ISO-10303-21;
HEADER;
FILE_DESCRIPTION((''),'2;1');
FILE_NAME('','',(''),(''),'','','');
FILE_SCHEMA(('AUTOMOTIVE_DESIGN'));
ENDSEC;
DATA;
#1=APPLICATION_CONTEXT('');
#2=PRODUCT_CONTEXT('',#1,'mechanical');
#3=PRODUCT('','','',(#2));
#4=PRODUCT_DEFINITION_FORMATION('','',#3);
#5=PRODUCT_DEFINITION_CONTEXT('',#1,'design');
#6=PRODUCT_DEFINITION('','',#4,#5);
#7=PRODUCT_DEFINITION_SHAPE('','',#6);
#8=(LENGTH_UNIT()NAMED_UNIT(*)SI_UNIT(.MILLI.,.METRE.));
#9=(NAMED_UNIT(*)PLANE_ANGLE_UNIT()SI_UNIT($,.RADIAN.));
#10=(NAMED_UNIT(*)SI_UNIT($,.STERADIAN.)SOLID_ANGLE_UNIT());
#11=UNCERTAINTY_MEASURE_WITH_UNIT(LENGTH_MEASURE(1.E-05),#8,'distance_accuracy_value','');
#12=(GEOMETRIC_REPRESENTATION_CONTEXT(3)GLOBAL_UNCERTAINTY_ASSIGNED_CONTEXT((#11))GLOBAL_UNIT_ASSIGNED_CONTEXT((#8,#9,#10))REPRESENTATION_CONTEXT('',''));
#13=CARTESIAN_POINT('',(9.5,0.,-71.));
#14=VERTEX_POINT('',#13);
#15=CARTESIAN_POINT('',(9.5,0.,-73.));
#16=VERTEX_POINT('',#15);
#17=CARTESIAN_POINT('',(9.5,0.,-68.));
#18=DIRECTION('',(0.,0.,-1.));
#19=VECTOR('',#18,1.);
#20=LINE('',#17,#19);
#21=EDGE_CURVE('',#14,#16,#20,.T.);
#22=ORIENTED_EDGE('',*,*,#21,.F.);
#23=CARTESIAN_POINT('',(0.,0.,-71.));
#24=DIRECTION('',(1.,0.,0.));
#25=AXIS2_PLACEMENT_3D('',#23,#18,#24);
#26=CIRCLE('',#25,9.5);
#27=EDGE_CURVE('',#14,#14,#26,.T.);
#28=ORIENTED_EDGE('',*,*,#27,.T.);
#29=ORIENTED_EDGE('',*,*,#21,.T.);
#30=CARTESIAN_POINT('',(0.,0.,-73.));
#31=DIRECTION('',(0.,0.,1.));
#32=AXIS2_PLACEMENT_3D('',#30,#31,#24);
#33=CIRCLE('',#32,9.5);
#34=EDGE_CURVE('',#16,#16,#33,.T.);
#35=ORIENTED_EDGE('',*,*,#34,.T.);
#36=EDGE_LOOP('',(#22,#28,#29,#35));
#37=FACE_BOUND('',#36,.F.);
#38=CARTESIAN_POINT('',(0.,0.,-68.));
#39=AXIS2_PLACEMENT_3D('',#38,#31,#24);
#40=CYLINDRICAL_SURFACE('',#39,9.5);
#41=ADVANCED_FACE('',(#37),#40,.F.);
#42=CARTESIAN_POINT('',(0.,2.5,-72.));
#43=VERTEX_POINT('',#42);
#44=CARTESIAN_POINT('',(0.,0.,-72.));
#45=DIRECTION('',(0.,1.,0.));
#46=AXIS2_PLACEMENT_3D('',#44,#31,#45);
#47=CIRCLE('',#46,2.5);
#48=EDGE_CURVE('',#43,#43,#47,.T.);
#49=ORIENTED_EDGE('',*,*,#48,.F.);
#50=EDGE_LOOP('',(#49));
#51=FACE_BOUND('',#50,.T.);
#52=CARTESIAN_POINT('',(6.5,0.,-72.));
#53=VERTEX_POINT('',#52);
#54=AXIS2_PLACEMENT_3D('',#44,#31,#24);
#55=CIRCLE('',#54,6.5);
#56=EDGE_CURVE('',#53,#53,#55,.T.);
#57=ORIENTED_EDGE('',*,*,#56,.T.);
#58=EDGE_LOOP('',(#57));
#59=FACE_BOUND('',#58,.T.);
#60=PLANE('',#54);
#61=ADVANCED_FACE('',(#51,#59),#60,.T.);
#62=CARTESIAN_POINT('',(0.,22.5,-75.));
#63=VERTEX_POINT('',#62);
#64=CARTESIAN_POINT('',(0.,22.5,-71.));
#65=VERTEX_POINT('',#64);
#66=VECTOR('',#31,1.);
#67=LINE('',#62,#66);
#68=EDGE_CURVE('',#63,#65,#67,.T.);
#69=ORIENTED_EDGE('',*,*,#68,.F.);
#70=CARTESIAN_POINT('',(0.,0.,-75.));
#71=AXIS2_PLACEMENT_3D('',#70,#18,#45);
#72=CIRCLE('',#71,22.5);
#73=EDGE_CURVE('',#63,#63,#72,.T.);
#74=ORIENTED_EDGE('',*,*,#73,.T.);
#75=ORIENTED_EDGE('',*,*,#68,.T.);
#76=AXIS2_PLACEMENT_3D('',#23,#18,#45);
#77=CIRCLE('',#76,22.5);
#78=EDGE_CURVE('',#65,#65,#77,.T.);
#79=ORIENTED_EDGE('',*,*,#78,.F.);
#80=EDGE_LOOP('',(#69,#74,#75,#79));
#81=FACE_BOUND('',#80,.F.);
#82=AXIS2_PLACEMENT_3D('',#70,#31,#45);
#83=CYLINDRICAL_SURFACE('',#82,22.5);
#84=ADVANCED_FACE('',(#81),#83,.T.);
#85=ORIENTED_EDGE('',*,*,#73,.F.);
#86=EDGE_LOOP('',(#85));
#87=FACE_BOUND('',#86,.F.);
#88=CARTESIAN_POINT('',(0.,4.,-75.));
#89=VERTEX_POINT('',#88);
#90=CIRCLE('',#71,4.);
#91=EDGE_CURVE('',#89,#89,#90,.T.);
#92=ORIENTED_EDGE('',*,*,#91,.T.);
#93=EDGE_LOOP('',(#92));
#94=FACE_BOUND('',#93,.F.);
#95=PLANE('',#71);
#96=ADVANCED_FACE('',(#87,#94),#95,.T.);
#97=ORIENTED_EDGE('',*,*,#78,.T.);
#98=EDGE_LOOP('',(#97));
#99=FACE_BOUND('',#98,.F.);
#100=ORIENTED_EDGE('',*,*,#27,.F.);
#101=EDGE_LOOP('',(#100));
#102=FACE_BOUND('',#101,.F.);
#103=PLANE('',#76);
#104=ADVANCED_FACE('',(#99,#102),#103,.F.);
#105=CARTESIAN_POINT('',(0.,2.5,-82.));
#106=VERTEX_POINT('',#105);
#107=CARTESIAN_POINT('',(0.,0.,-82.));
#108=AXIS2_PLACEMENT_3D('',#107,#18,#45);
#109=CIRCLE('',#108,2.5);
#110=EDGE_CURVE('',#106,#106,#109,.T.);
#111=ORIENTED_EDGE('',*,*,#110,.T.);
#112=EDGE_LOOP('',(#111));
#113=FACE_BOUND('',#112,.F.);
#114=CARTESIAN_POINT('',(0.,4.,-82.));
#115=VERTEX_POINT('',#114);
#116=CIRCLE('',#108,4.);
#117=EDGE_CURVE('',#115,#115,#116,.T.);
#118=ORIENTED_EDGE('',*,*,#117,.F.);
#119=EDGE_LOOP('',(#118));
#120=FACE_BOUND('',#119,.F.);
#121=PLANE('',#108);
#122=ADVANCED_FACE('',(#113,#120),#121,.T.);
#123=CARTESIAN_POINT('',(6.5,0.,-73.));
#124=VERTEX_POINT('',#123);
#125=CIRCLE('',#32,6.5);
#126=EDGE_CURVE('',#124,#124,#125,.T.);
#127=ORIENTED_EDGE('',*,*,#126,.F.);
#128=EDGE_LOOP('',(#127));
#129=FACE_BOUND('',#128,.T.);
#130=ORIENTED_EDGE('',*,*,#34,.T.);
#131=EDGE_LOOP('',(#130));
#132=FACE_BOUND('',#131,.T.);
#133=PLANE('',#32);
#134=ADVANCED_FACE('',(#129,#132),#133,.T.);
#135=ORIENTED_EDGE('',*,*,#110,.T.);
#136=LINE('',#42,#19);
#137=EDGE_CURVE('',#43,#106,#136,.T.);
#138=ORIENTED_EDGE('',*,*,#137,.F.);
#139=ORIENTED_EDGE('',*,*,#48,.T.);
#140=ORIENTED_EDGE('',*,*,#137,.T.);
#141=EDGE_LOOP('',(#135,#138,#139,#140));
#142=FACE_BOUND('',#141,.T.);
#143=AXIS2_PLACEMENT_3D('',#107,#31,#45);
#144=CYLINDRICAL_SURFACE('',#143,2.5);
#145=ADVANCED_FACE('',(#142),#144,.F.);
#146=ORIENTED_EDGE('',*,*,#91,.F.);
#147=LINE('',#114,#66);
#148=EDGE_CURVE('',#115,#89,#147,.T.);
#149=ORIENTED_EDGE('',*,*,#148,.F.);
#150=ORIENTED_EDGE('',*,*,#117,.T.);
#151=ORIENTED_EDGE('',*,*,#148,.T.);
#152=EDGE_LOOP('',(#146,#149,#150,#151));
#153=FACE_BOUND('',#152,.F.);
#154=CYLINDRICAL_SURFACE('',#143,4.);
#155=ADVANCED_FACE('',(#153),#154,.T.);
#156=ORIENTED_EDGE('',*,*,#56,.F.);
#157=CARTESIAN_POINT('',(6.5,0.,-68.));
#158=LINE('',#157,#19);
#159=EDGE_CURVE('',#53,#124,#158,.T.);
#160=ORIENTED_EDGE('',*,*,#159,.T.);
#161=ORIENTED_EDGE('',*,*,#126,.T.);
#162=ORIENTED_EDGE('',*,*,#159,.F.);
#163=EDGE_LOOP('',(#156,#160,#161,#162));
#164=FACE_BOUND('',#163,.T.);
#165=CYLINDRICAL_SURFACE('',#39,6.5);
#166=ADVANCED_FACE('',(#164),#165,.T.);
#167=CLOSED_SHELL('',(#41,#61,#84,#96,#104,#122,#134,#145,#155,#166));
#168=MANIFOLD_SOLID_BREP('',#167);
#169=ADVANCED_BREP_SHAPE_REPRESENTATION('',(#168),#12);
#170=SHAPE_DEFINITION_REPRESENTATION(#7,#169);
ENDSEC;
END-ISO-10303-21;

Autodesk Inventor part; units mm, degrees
ref_plane "YZ Plane" through (0, 0, 0) normal (1, 0, 0) x (0, 1, 0)
ref_plane "XZ Plane" through (0, 0, 0) normal (0, 1, 0) x (-1, 0, 0)
ref_plane "XY Plane" through (0, 0, 0) normal (0, 0, 1) x (1, 0, 0)
sketch "Sketch1" plane through (0, 0, 0) normal (1, 0, 0) x (0, 1, 0)
  line L0 (0, 0) -> (2.5, 0)
  line L1 (0, 0) -> (4, 0)
  line L2 (2.5, 0) -> (2.5, -7)
  line L3 (2.5, -7) -> (0, -7)
  line L4 (0, -7) -> (20, -7)
  line L5 (4, 0) -> (4, -7)
  line L6 (2.5, -7) -> (2.5, -41)
  line L7 (20, -7) -> (20, -11)
  line L8 (20, -11) -> (2.5, -11)
  line L9 (20, -7) -> (22.5, -7)
  line L10 (22.5, -7) -> (22.5, -11)
  line L11 (22.5, -11) -> (20, -11)
  line L12 (20, -11) -> (20, -7)
  line L13 (20, -7) -> (20, -11)
  line L14 (4, 0) -> (2.5, 0)
  line L15 (2.5, 0) -> (2.5, -11)
  line L16 (2.5, -11) -> (4, -11)
  line L17 (4, -11) -> (4, 0)
  line L18 (2.5, -11) -> (22.5, -11)
  line L19 (22.5, -11) -> (22.5, -7)
  line L20 (22.5, -7) -> (2.5, -7)
  line L21 (2.5, -7) -> (2.5, -11)
  line L22 (2.5, -11) -> (6.5, -11)
  line L23 (0, -7) -> (0, -105.9451)
  line L24 (2.5, -41) -> (25, -41)
  line L25 (0, -82) -> (2.5, -82)
  line L26 (0, -82) -> (4, -82)
  line L27 (2.5, -82) -> (2.5, -75)
  line L28 (2.5, -75) -> (0, -75)
  line L29 (0, -75) -> (20, -75)
  line L30 (4, -82) -> (4, -75)
  line L31 (20, -75) -> (20, -71)
  line L32 (20, -71) -> (2.5, -71)
  line L33 (20, -75) -> (22.5, -75)
  line L34 (22.5, -75) -> (22.5, -71)
  line L35 (22.5, -71) -> (20, -71)
  line L36 (20, -71) -> (20, -75)
  line L37 (20, -75) -> (20, -71)
  line L38 (4, -82) -> (2.5, -82)
  line L39 (2.5, -82) -> (2.5, -71)
  line L40 (2.5, -71) -> (4, -71)
  line L41 (4, -71) -> (4, -82)
  line L42 (2.5, -71) -> (22.5, -71)
  line L43 (22.5, -71) -> (22.5, -75)
  line L44 (22.5, -75) -> (2.5, -75)
  line L45 (2.5, -75) -> (2.5, -71)
  line L46 (2.5, -71) -> (6.5, -71)
  line L47 (2.5, -11) -> (6.5, -11)
  line L48 (6.5, -11) -> (6.5, -71)
  line L49 (6.5, -71) -> (2.5, -71)
  line L50 (2.5, -71) -> (2.5, -11)
  line L51 (6.5, -11) -> (9.5, -11)
  line L52 (9.5, -11) -> (9.5, -14)
  line L53 (9.5, -14) -> (6.5, -14)
  line L54 (6.5, -14) -> (6.5, -11)
  line L55 (6.5, -71) -> (9.5, -71)
  line L56 (9.5, -71) -> (9.5, -68)
  line L57 (9.5, -68) -> (6.5, -68)
  line L58 (6.5, -68) -> (6.5, -71)
  dimension "d1" = 2.5
  dimension "d2" = 4
  dimension "d3" = 7
  dimension "d4" = 20
  dimension "d5" = 34
  dimension "d9" = 4
  dimension "d12" = 2.5
  dimension "d13" = 4
  dimension "d55" = 22.5
  dimension "d56" = 4
  dimension "d80" = 3
  dimension "d81" = 3
  dimension "d82" = 3
  dimension "d83" = 3
revolve "Revolution2" add sketch "Sketch1" angle 360 about axis through (0, 0, -7) along (0, 0, -1) contours L1 L5 L4 L2 | L4 L17 L8 L6 | L4 L7 L8 L17 | L8 L48 L24 L6 | L9 L10 L11 L7 | L24 L48 L32 L50 | L8 L52 L53 L48 | L29 L30 L26 L27 | L39 L32 L41 L29 | L41 L32 L31 L29 | L57 L56 L32 L48 | L31 L35 L34 L33
sketch "Sketch6" plane through (0, 0, 0) normal (0, 1, 0) x (-1, 0, 0)
  line L0 (-2.5, -82) -> (2.5, -82) projected
  line L1 (0, -82) -> (0, -62)
  line L2 (0, -82) -> (20, -82) construction
  line L3 (0, -65) -> (15, -65) construction
  line L4 (0, -59) -> (15, -59) construction
  line L5 (10.6066, -48.3934) -> (10.6066, -54.3934)
  line L6 (0, -65) -> (0, -59)
  line L7 (0, -62) -> (0, -59.5)
  line L8 (0, -59.5) -> (10.6066, -48.8934)
  line L9 (10.6066, -48.8934) -> (10.6066, -53.8934)
  line L10 (10.6066, -53.8934) -> (0, -64.5)
  line L11 (0, -59.5) -> (0, -64.5)
  point P0 (0, 0)
  dimension "d64" = 20
  dimension "d65" = 90
  dimension "d69" = 15
  dimension "d71" = 15
  dimension "d75" = 2.5
  dimension "d76" = 5
extrude "Extrusion6" cut sketch "Sketch6" along normal mid plane 5
sketch "Sketch7" plane through (0, 0, 0) normal (0, 0, 1) x (1, 0, 0)
  arc A0 (-1.9966, -1.5104) -> (-1.9966, 1.4896) centre (0.0034, -0.0104) ccw
  line L0 (-1.9966, -0.0104) -> (-1.9966, 1.4896)
  line L1 (-1.9966, -0.0104) -> (-1.9966, -1.5104)
  line L2 (-1.9966, 1.4896) -> (-1.9966, -2.007)
  line L3 (-1.9966, -2.007) -> (-3.9862, -2.007)
  line L4 (-3.9862, -2.007) -> (-3.9862, 1.4896)
  line L5 (-3.9862, 1.4896) -> (-1.9966, 1.4896)
  line L6 (-1.9966, -1.5104) -> (-3.2272, -1.5104)
  line L7 (-3.2272, -1.5104) -> (-3.2272, 1.4896)
  line L8 (-3.2272, 1.4896) -> (-1.9966, 1.4896)
  line L9 (-1.9966, 1.4896) -> (-1.9966, -1.5104)
  point P0 (0, 0)
  point P1 (0, 0)
  dimension "d77" = 5
extrude "Extrusion7" add sketch "Sketch7" against normal blind 26 contours L6 L7 L5 L0 L1
sketch "Sketch8" plane through (0, 0, -68) normal (0, 0, 1) x (1, 0, 0)
  arc A0 (0, 2.5) -> (0, -2.5) centre (0, 0) ccw projected
  circle A1 centre (0, 0) radius 6.5
  point P0 (0, 0)
extrude "Extrusion8" cut sketch "Sketch8" against normal blind 4
sketch "Sketch9" plane through (0, 0, -68) normal (0, 0, 1) x (1, 0, 0)
  circle A0 centre (0, 0) radius 2.5 projected
  circle A1 centre (0, 0) radius 22.5
  point P0 (0, 0)
extrude "Extrusion9" cut sketch "Sketch9" along normal blind 100 contours A0 | A1
sketch "Sketch10" plane through (0, 0, -68) normal (0, 0, 1) x (1, 0, 0)
  circle A0 centre (0, 0) radius 9.5
  circle A1 centre (0, 0) radius 6.5
extrude "Extrusion10" cut sketch "Sketch10" against normal blind 5
properties part number "Spool_revB1"
